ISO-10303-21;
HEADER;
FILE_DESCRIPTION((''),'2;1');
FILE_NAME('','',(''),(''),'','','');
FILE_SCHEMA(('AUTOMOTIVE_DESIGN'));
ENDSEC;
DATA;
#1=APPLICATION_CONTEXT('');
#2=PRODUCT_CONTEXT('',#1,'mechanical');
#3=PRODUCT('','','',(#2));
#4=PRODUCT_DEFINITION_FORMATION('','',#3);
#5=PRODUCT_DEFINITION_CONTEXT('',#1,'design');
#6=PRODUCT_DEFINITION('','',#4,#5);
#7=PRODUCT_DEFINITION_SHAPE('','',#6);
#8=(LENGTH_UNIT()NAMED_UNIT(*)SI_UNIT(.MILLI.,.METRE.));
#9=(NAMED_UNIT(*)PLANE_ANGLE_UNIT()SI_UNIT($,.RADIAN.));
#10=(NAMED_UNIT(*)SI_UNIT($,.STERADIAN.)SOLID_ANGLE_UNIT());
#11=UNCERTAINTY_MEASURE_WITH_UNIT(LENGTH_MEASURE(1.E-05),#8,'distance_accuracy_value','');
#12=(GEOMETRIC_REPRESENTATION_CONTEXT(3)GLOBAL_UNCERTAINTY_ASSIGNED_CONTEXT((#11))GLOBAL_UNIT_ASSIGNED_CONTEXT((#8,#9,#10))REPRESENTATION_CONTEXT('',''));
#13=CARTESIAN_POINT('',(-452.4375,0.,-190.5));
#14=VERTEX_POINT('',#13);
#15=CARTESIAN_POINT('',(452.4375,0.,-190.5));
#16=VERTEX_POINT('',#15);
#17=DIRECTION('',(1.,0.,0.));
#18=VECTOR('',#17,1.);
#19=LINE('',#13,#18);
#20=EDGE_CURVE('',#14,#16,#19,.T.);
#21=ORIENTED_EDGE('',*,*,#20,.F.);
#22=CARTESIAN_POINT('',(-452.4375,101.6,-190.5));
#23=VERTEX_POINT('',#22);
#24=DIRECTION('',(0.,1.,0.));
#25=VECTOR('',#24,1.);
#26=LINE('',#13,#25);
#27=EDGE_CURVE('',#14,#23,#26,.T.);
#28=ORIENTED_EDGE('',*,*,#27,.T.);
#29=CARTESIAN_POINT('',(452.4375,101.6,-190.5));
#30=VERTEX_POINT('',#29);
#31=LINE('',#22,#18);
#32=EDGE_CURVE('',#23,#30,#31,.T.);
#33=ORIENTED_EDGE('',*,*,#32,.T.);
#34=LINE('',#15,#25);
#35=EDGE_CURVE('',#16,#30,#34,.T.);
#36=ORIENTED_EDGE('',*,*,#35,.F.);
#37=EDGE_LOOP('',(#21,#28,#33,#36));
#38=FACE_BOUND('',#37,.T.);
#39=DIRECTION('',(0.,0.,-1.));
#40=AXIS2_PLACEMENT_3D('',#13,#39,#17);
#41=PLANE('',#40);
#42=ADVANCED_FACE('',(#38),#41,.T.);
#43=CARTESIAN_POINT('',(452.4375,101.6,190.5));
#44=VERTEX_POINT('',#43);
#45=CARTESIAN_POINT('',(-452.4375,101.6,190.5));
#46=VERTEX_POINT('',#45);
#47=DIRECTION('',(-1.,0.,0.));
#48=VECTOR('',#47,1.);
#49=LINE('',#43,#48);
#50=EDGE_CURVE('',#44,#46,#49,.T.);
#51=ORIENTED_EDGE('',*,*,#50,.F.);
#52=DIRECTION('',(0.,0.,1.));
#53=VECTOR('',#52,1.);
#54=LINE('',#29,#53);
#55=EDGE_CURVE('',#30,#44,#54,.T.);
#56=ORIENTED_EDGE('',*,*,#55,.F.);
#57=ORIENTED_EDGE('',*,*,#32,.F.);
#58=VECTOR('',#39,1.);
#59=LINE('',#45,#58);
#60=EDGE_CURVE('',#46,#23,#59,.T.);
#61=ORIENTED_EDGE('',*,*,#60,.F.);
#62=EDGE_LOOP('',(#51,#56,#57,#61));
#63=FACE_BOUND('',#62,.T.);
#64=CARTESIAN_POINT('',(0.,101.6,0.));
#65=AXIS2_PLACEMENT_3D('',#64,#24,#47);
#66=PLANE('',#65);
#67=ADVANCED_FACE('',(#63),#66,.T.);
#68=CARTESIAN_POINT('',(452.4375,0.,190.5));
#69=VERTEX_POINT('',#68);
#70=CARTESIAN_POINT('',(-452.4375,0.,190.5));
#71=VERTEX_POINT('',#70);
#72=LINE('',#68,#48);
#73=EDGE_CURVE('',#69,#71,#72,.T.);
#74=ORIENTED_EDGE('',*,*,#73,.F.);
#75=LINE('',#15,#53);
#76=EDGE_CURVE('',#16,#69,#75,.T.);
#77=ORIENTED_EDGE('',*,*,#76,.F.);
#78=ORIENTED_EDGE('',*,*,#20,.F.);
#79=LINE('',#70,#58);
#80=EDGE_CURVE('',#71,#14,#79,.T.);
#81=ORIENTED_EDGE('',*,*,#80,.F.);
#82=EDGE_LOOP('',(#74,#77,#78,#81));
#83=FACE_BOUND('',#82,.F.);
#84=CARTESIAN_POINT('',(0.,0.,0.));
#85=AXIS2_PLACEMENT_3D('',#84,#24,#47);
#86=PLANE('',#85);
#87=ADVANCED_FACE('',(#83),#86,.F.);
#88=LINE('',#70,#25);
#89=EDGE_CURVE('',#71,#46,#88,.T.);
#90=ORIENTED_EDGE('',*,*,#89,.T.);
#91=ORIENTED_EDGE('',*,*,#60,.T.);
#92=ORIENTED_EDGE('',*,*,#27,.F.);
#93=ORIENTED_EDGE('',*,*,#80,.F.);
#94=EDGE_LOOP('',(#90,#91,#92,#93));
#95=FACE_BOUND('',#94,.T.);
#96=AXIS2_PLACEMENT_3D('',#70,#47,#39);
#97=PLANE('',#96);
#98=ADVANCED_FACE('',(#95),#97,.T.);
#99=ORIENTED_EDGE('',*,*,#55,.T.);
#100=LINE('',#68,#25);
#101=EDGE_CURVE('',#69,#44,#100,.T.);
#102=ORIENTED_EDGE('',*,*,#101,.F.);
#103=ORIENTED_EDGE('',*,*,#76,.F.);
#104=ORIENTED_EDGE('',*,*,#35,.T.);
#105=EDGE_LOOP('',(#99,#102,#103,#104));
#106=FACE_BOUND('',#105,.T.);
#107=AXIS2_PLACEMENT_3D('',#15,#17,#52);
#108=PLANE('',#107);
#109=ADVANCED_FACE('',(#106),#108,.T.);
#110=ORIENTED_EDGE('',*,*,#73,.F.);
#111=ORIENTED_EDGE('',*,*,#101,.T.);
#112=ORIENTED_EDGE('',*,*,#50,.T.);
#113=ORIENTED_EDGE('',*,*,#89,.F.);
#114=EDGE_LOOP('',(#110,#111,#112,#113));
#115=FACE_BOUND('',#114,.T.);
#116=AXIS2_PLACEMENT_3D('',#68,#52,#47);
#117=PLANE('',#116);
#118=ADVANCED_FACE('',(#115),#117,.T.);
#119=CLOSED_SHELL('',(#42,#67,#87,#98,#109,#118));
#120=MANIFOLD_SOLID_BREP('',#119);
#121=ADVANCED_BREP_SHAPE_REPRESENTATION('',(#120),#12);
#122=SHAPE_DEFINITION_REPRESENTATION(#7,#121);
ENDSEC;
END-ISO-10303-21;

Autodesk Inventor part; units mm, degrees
ref_plane "YZ Plane" through (0, 0, 0) normal (1, 0, 0) x (0, 1, 0)
ref_plane "XZ Plane" through (0, 0, 0) normal (0, 1, 0) x (-1, 0, 0)
ref_plane "XY Plane" through (0, 0, 0) normal (0, 0, 1) x (1, 0, 0)
sketch "Sketch1" plane through (0, 0, 0) normal (0, 1, 0) x (-1, 0, 0)
  line L0 (452.4375, -190.5) -> (-452.4375, -190.5)
  line L1 (-452.4375, -190.5) -> (-452.4375, 190.5)
  line L2 (-452.4375, 190.5) -> (452.4375, 190.5)
  line L3 (452.4375, 190.5) -> (452.4375, -190.5)
  line L4 (452.4375, -190.5) -> (-452.4375, 190.5) construction
  line L5 (-452.4375, -190.5) -> (452.4375, 190.5) construction
  point P0 (0, 0)
  dimension "d0" = 904.875
  dimension "d1" = 381
extrude "Extrusion1" add sketch "Sketch1" along normal blind 101.6
properties part number "cap - 10" material "Granite, Cut, Polished"
